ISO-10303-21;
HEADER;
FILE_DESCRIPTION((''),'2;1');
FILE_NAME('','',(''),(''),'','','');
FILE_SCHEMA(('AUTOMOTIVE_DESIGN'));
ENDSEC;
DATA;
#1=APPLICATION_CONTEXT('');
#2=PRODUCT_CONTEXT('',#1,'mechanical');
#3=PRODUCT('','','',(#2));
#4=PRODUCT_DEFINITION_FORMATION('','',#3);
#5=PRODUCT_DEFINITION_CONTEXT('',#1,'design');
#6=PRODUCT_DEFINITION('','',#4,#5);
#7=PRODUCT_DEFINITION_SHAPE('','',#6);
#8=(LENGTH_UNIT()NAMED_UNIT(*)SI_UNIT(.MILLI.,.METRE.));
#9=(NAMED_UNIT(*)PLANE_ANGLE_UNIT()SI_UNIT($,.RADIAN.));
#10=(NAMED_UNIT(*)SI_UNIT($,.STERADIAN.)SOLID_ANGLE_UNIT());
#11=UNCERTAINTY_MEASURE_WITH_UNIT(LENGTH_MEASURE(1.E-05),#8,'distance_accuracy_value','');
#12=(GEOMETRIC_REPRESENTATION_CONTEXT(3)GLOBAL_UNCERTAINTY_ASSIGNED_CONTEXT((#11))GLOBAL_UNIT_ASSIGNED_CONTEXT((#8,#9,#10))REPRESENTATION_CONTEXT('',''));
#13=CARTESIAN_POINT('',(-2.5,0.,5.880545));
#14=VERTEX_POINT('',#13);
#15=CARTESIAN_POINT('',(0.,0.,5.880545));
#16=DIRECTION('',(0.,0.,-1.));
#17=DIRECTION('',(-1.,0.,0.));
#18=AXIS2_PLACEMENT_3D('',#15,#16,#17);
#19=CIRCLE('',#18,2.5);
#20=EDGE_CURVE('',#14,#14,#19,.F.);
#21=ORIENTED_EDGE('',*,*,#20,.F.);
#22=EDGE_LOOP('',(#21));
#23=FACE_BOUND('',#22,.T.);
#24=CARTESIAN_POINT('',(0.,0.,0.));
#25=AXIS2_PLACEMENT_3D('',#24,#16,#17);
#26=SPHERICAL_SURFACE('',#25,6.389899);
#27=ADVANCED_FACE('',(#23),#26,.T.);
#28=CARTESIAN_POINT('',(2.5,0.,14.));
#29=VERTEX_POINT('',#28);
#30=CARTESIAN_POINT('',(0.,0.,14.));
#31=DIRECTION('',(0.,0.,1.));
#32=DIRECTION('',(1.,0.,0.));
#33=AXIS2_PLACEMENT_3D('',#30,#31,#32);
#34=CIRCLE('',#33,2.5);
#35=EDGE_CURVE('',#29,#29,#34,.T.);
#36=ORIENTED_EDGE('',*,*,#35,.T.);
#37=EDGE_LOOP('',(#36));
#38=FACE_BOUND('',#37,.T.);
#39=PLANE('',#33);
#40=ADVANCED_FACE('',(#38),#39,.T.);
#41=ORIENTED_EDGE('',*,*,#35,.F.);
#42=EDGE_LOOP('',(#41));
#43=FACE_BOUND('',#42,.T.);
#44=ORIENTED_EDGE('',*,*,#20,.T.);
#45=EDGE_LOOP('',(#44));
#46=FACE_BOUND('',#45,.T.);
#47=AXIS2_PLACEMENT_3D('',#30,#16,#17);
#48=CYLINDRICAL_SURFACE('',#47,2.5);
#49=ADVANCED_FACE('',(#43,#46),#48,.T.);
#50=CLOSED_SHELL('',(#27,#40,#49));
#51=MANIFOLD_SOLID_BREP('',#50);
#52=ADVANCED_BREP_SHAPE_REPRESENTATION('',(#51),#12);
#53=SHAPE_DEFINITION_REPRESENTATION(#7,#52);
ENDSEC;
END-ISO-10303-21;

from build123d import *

# Parameters (mm, degrees)
ESQUISSE2_R        = 2.5
BOSS_EXTRU_1_DEPTH = 14


with BuildPart() as part:
    # Esquisse1 → Révolution3 (revolve)
    with BuildSketch(Plane.XY):
        with BuildLine():
            Line((0, 6.389898843), (0, -6.389898843))
            ThreePointArc((0, -6.389898843), (-6.389898843, 0), (0, 6.389898843))
        make_face()
    revolve(axis=Axis((0, 0, 0), (0, 1, 0)))

    # Esquisse2 → Boss.-Extru.1 (add)
    with BuildSketch(Plane.XY):
        with Locations(Location((0, 0, 0), (0, 0, 180))):
            Circle(ESQUISSE2_R)
    extrude(amount=BOSS_EXTRU_1_DEPTH)


solid = part.part
